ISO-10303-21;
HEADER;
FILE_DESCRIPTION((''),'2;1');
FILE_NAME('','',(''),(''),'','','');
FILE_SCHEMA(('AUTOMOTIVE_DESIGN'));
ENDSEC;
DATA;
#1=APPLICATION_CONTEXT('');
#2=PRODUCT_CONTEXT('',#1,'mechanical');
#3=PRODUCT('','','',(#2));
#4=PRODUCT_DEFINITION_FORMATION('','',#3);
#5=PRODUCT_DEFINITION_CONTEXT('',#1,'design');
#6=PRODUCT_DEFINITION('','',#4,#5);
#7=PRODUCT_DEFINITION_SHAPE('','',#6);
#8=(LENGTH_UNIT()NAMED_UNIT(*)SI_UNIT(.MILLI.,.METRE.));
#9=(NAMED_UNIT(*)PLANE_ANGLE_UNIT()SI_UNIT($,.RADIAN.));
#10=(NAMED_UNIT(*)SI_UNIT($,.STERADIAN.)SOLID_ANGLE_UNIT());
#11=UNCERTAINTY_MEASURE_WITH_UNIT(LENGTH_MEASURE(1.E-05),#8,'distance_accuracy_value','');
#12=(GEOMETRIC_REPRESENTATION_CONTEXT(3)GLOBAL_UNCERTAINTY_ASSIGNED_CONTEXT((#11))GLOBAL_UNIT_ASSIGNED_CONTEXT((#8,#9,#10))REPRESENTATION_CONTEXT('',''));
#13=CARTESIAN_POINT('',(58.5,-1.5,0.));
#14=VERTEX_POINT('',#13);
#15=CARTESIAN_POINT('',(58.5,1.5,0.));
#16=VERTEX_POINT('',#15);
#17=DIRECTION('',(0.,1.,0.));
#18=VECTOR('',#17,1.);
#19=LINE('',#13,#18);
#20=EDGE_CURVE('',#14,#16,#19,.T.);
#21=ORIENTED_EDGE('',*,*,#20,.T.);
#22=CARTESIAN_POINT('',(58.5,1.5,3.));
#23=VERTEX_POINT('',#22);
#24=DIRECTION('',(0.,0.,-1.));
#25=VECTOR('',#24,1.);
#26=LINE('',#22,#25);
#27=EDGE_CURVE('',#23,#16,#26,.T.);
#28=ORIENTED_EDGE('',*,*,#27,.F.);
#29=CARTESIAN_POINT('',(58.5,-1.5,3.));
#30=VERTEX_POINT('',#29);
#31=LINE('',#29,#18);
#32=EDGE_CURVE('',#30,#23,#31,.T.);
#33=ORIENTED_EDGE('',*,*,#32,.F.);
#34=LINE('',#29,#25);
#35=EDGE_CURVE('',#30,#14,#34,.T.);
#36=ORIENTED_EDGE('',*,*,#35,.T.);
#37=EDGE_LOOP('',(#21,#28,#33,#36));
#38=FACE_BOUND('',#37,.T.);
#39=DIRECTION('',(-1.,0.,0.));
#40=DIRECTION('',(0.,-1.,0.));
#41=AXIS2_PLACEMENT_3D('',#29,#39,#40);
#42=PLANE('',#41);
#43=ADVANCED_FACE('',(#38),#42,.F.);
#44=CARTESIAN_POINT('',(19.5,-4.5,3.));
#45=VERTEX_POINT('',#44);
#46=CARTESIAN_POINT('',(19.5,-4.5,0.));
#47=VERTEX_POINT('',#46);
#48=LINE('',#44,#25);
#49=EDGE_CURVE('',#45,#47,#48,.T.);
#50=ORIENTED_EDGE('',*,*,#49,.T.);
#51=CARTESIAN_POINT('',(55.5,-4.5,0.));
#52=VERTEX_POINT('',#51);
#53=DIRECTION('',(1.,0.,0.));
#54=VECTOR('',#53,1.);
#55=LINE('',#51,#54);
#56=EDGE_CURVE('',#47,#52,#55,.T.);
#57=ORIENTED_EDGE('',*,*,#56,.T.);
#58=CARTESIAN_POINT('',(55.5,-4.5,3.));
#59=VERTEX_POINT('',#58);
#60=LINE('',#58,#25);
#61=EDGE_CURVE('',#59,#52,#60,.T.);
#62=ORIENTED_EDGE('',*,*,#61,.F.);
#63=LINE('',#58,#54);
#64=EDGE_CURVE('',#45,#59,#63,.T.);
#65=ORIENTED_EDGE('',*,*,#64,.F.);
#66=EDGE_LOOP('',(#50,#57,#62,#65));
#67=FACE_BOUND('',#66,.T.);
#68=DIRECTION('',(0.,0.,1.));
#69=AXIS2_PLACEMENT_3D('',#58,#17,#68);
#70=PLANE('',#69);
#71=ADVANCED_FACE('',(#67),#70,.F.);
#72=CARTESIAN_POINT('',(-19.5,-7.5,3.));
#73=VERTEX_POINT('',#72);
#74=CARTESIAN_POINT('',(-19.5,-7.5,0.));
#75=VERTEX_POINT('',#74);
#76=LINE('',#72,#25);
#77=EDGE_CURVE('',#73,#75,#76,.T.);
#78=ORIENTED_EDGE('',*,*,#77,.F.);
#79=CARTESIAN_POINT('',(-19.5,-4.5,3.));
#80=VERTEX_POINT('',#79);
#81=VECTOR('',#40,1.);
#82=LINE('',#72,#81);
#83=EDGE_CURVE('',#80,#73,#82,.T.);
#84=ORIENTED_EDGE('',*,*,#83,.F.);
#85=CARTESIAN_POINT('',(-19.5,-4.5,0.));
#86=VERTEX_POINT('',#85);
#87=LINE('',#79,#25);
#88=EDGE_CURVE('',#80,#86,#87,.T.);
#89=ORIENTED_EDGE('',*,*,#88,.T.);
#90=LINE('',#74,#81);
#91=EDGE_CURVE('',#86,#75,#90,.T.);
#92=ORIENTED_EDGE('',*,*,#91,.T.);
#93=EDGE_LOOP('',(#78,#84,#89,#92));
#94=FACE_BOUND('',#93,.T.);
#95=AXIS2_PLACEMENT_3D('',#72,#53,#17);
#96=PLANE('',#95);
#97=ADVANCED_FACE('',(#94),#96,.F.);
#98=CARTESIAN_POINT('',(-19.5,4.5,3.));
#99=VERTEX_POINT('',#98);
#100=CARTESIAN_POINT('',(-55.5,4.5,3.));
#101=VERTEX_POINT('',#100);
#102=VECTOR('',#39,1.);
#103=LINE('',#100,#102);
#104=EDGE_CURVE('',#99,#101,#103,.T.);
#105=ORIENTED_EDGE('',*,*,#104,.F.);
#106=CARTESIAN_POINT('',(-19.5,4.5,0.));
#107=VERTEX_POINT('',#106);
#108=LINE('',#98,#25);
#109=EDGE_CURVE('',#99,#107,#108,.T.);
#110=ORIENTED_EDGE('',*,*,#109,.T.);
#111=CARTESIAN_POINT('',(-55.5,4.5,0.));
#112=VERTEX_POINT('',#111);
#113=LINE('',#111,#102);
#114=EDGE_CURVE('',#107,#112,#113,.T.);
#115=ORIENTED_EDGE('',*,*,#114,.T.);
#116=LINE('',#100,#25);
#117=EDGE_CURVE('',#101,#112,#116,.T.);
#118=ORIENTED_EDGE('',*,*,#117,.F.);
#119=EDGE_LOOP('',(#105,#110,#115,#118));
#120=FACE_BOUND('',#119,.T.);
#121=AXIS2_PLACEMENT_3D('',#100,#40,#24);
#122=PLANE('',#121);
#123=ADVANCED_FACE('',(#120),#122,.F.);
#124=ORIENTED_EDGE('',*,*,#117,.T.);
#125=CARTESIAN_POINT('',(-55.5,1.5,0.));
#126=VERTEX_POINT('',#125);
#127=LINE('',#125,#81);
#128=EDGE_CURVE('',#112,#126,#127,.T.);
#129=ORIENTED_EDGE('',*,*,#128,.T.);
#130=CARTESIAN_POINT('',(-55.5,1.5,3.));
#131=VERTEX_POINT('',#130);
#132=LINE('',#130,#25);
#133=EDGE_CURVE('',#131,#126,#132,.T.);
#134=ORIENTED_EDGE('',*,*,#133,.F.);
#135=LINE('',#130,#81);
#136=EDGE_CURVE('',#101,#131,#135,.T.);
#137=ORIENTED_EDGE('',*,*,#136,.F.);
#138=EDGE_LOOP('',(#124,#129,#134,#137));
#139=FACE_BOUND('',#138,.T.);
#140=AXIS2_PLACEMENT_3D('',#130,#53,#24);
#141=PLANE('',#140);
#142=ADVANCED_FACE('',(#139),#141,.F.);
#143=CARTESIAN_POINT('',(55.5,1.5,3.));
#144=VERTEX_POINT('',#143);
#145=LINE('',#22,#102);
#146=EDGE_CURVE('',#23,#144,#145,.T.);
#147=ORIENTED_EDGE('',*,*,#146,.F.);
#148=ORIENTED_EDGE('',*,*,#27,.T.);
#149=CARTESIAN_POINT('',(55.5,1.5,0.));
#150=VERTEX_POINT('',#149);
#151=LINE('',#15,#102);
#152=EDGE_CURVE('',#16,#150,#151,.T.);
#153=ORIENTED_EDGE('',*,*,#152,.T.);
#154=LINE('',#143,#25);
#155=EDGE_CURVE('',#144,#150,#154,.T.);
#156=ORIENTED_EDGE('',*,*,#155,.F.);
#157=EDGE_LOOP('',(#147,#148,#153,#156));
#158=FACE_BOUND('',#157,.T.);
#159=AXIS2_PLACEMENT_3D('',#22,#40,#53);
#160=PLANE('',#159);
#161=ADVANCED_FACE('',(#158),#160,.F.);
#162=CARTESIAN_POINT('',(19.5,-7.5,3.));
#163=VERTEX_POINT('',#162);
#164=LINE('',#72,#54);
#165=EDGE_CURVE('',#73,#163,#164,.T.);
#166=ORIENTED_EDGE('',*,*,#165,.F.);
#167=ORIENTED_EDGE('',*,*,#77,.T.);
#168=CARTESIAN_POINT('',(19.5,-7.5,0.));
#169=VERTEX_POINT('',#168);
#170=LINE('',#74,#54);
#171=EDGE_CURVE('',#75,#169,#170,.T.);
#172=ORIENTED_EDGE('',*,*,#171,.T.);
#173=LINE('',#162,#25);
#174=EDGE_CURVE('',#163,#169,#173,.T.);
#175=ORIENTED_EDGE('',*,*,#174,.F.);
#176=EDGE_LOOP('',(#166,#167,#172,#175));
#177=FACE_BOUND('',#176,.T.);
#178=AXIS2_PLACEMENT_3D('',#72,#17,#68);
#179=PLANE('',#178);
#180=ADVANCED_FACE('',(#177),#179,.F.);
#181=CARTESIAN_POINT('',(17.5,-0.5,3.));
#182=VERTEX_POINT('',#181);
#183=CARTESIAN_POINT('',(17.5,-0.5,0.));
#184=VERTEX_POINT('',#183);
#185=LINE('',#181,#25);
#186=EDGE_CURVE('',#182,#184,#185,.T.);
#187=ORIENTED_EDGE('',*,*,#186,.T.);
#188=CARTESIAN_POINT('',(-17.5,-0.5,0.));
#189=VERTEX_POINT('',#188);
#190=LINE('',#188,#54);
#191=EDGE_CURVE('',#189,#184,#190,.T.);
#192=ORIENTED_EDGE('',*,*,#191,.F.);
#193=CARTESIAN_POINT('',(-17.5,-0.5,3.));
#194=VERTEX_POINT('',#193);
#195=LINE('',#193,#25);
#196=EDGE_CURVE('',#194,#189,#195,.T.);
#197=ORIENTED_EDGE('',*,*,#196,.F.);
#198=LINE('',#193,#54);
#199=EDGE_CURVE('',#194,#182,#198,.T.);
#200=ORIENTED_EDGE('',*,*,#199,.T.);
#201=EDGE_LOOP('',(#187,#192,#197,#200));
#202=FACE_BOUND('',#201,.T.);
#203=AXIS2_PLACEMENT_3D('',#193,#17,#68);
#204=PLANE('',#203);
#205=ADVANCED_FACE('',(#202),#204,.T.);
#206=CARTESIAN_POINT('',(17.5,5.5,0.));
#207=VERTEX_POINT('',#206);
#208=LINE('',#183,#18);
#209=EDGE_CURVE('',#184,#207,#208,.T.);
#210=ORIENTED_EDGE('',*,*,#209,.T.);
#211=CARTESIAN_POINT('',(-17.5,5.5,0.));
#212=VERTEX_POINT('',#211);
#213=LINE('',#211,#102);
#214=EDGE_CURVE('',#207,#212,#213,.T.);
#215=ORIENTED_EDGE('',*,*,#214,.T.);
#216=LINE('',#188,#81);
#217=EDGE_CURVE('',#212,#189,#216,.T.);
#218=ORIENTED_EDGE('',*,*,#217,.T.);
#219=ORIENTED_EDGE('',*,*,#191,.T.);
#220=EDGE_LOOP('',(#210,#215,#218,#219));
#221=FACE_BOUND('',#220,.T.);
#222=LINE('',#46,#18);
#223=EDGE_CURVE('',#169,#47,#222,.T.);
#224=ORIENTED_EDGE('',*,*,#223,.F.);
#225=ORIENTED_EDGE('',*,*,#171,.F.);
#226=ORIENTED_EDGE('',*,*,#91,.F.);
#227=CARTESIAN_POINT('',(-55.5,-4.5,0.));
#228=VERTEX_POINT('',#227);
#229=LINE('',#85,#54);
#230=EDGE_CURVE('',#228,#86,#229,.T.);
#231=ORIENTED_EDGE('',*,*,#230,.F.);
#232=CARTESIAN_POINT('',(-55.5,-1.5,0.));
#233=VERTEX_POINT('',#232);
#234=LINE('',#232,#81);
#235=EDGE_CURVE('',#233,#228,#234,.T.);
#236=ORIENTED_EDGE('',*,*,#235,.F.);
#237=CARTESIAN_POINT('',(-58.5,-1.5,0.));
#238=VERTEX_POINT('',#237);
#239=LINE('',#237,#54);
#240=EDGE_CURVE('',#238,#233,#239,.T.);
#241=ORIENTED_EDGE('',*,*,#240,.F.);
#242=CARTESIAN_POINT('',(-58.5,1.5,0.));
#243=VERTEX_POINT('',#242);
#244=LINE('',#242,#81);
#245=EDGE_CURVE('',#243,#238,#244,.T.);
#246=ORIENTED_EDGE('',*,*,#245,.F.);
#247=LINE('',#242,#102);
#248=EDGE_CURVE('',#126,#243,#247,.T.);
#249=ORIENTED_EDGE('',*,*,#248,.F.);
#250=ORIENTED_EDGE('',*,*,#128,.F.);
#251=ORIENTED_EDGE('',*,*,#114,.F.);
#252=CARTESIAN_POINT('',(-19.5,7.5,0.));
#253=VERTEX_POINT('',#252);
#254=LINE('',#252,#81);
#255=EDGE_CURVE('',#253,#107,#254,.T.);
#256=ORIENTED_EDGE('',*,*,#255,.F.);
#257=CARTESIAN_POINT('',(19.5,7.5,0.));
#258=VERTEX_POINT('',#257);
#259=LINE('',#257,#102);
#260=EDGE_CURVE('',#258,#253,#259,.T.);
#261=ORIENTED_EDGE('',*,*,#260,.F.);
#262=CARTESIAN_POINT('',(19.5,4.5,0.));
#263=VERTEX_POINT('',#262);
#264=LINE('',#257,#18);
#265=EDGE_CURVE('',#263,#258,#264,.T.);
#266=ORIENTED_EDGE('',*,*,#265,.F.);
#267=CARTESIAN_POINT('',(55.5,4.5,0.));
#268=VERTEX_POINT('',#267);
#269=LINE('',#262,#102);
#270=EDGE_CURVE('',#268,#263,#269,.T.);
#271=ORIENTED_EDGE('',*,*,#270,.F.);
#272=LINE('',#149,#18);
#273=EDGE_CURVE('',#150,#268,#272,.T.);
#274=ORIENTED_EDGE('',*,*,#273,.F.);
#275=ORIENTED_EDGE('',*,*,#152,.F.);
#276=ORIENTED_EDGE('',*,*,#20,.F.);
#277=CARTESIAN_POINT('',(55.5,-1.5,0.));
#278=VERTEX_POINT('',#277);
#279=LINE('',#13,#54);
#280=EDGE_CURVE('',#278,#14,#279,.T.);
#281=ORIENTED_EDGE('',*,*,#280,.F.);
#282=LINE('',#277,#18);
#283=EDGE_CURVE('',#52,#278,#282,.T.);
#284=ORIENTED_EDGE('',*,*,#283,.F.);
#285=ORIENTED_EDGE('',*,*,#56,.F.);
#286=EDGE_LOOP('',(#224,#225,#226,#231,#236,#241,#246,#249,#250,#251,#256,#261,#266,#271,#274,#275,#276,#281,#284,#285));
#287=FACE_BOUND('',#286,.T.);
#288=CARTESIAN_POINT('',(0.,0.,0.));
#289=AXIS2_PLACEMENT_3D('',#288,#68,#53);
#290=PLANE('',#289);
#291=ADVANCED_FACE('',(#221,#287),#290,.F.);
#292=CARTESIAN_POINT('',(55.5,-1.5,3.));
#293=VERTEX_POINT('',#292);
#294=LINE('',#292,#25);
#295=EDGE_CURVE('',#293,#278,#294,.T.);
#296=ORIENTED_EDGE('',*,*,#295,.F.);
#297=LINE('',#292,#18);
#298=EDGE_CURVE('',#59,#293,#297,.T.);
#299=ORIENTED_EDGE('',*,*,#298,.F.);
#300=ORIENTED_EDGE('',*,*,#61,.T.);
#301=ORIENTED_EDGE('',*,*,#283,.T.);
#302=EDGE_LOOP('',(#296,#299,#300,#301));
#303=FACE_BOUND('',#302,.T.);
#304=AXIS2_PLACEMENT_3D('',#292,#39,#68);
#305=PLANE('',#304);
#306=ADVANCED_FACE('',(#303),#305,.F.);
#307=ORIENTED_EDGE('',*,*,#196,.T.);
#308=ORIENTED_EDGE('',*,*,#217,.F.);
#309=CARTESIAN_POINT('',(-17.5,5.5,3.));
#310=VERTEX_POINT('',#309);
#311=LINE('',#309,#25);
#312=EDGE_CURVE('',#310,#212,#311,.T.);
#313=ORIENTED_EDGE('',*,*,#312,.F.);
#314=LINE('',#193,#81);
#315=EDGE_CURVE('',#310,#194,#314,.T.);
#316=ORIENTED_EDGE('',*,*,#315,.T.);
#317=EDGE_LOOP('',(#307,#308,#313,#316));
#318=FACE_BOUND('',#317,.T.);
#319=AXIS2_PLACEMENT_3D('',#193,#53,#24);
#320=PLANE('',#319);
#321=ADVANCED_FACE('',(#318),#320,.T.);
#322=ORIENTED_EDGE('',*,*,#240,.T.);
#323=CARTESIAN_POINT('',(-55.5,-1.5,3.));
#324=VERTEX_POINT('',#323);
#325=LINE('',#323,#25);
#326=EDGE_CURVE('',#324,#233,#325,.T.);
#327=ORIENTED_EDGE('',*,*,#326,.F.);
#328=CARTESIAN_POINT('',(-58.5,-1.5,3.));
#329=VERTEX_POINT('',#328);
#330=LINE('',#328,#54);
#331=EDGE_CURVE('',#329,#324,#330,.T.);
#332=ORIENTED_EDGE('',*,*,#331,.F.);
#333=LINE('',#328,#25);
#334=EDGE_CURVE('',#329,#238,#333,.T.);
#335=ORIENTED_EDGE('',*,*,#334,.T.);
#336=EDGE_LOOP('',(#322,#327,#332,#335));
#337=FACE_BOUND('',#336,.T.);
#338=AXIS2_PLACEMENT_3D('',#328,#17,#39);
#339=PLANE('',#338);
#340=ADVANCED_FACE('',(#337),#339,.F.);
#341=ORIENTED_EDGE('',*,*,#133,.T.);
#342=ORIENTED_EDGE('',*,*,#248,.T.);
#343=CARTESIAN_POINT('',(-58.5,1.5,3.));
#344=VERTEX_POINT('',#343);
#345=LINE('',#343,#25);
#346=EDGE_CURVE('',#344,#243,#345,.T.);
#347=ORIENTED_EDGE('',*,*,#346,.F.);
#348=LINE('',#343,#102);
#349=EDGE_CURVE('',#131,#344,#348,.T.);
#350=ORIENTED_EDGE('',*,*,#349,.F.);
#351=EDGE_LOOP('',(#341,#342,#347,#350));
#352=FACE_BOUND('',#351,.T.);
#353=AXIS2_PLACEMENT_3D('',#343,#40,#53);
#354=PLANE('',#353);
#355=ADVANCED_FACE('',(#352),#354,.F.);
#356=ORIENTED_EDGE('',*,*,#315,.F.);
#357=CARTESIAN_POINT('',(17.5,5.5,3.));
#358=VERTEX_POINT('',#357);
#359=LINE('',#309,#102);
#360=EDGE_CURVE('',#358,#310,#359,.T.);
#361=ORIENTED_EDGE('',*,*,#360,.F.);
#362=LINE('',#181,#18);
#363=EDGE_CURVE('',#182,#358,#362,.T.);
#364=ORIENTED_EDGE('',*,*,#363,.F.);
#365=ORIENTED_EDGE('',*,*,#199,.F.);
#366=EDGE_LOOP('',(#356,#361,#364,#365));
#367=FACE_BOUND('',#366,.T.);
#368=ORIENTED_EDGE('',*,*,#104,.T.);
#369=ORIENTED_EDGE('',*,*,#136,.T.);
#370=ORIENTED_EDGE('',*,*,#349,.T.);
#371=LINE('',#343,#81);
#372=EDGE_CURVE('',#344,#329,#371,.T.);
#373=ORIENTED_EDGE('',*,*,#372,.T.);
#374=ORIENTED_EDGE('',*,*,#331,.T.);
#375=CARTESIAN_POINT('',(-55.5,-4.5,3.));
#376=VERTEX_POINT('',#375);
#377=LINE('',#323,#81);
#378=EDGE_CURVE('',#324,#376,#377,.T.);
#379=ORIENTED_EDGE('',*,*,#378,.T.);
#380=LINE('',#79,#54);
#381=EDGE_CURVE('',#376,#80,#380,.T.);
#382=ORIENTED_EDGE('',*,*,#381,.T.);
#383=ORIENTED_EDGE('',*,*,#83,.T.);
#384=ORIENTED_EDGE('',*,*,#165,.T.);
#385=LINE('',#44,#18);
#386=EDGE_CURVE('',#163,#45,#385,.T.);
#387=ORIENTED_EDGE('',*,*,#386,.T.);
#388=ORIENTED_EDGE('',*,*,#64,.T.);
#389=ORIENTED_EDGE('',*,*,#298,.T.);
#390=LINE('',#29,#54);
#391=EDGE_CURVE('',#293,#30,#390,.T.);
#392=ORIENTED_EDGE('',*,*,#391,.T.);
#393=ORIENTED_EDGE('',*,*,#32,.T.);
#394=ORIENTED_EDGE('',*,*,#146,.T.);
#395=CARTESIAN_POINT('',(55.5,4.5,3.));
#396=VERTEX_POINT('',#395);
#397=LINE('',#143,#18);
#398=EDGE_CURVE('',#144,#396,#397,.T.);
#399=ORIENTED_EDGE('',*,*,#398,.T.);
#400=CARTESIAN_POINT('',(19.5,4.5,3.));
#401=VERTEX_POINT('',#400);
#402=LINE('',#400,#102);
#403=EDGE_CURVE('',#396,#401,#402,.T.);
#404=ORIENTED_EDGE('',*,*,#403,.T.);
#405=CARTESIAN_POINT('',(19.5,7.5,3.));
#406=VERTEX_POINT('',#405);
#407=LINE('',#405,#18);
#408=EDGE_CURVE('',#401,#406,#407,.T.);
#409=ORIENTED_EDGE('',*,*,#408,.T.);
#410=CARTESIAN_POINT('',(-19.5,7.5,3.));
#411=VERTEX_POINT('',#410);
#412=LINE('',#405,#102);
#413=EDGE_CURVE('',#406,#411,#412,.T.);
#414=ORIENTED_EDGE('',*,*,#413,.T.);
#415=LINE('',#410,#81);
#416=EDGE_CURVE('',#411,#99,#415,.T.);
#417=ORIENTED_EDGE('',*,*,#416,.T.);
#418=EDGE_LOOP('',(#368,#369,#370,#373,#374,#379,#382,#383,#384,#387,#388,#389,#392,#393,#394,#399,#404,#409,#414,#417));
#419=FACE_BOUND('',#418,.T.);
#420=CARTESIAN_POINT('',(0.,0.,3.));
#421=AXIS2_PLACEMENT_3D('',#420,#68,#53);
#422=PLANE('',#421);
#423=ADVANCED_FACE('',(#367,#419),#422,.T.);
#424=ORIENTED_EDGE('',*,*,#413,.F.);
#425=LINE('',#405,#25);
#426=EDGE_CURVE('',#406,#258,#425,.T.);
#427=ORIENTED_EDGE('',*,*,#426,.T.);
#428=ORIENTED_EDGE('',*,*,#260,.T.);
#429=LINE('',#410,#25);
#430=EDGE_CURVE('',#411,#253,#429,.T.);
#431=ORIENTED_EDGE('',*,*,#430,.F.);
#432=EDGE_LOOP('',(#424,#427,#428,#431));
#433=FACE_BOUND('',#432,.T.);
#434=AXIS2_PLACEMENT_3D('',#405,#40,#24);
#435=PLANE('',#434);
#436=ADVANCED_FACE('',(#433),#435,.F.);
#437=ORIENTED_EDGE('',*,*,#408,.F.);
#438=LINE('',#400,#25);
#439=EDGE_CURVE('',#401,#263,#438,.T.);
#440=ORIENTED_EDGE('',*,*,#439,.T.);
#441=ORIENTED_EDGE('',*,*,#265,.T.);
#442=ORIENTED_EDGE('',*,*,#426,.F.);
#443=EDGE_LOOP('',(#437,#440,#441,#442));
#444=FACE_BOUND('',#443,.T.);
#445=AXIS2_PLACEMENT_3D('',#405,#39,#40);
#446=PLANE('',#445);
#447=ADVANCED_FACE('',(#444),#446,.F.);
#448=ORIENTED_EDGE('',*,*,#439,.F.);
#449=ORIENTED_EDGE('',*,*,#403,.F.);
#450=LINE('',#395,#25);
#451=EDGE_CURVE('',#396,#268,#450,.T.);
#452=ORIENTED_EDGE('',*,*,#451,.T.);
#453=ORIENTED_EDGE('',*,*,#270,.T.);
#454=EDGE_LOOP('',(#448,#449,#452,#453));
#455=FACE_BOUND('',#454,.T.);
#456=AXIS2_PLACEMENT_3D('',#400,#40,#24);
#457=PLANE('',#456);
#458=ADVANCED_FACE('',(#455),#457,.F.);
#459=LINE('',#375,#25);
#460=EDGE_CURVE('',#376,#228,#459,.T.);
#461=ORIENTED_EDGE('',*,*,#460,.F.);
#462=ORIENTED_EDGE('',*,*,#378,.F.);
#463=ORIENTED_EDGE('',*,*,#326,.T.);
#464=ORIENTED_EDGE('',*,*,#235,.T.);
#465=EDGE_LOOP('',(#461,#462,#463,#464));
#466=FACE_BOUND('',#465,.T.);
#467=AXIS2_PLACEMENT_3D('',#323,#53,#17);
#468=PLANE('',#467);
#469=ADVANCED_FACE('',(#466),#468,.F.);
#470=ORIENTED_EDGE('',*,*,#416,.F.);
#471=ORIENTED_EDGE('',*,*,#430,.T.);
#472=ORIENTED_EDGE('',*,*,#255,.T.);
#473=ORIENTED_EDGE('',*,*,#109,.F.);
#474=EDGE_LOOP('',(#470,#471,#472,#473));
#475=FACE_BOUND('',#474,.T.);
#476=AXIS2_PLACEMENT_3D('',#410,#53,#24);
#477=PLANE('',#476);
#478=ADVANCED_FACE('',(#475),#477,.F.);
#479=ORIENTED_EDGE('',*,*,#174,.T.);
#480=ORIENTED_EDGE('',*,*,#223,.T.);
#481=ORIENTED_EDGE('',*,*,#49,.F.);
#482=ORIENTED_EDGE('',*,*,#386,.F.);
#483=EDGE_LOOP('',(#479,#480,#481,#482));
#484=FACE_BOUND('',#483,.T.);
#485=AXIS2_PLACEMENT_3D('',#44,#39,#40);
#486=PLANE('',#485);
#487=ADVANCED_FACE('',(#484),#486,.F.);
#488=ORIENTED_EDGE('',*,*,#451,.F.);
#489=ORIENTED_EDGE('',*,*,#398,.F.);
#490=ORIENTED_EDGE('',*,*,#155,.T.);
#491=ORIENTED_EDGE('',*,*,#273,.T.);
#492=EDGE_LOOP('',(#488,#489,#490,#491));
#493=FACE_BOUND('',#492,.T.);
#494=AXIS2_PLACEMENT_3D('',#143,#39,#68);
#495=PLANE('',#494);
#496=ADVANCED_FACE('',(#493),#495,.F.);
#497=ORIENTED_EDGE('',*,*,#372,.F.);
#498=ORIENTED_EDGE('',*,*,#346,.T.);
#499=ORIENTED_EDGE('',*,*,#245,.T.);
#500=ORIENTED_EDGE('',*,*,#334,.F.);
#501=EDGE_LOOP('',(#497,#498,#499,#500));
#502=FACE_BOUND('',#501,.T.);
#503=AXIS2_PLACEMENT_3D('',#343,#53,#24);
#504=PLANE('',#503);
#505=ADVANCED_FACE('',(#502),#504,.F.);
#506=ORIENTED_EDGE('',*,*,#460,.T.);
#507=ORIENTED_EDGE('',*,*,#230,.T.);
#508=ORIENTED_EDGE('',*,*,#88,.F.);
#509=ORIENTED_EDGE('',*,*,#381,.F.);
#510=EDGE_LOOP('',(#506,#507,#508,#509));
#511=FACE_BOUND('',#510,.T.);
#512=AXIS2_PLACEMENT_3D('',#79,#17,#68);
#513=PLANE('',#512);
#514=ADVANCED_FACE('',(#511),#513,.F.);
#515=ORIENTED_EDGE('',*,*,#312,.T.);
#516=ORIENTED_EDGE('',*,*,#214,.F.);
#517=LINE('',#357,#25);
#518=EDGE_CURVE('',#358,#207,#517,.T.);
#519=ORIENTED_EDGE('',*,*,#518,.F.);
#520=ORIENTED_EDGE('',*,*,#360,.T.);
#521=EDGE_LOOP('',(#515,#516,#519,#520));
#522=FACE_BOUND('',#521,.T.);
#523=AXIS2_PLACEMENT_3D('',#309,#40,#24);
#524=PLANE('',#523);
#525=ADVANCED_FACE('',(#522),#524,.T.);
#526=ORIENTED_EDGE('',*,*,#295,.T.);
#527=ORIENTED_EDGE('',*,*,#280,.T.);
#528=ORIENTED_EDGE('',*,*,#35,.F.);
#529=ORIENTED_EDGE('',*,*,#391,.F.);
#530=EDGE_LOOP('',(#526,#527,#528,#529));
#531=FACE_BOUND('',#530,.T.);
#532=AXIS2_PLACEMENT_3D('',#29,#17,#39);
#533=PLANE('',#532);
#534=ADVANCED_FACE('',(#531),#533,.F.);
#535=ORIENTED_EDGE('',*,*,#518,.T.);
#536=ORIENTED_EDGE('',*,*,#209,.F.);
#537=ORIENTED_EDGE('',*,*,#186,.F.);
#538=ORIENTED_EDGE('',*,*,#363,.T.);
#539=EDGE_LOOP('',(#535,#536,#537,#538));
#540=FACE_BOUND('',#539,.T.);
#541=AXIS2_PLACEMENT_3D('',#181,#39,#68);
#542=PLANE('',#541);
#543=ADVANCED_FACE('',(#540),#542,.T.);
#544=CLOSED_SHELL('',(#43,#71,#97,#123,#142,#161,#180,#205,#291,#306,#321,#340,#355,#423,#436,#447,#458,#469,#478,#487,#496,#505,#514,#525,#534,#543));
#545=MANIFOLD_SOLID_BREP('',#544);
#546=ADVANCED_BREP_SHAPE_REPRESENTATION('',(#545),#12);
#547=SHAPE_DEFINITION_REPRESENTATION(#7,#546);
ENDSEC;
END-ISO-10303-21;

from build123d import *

# Parameters (mm, degrees)
SKETCH1_W           = 35
SKETCH1_H           = 6
BOSS_EXTRUDE1_DEPTH = 3


with BuildPart() as part:
    # Sketch1 → Boss-Extrude1 (new body)
    with BuildSketch(Plane.XY):
        Polygon((-19.5, -7.5), (19.5, -7.5), (19.5, -4.5), (55.5, -4.5), (55.5, -1.5), (58.5, -1.5), (58.5, 1.5), (55.5, 1.5), (55.5, 4.5), (19.5, 4.5), (19.5, 7.5), (-19.5, 7.5), (-19.5, 4.5), (-55.5, 4.5), (-55.5, 1.5), (-58.5, 1.5), (-58.5, -1.5), (-55.5, -1.5), (-55.5, -4.5), (-19.5, -4.5), align=None)
        with Locations((0, 2.5)):
            Rectangle(SKETCH1_W, SKETCH1_H, mode=Mode.SUBTRACT)
    extrude(amount=BOSS_EXTRUDE1_DEPTH)


solid = part.part
